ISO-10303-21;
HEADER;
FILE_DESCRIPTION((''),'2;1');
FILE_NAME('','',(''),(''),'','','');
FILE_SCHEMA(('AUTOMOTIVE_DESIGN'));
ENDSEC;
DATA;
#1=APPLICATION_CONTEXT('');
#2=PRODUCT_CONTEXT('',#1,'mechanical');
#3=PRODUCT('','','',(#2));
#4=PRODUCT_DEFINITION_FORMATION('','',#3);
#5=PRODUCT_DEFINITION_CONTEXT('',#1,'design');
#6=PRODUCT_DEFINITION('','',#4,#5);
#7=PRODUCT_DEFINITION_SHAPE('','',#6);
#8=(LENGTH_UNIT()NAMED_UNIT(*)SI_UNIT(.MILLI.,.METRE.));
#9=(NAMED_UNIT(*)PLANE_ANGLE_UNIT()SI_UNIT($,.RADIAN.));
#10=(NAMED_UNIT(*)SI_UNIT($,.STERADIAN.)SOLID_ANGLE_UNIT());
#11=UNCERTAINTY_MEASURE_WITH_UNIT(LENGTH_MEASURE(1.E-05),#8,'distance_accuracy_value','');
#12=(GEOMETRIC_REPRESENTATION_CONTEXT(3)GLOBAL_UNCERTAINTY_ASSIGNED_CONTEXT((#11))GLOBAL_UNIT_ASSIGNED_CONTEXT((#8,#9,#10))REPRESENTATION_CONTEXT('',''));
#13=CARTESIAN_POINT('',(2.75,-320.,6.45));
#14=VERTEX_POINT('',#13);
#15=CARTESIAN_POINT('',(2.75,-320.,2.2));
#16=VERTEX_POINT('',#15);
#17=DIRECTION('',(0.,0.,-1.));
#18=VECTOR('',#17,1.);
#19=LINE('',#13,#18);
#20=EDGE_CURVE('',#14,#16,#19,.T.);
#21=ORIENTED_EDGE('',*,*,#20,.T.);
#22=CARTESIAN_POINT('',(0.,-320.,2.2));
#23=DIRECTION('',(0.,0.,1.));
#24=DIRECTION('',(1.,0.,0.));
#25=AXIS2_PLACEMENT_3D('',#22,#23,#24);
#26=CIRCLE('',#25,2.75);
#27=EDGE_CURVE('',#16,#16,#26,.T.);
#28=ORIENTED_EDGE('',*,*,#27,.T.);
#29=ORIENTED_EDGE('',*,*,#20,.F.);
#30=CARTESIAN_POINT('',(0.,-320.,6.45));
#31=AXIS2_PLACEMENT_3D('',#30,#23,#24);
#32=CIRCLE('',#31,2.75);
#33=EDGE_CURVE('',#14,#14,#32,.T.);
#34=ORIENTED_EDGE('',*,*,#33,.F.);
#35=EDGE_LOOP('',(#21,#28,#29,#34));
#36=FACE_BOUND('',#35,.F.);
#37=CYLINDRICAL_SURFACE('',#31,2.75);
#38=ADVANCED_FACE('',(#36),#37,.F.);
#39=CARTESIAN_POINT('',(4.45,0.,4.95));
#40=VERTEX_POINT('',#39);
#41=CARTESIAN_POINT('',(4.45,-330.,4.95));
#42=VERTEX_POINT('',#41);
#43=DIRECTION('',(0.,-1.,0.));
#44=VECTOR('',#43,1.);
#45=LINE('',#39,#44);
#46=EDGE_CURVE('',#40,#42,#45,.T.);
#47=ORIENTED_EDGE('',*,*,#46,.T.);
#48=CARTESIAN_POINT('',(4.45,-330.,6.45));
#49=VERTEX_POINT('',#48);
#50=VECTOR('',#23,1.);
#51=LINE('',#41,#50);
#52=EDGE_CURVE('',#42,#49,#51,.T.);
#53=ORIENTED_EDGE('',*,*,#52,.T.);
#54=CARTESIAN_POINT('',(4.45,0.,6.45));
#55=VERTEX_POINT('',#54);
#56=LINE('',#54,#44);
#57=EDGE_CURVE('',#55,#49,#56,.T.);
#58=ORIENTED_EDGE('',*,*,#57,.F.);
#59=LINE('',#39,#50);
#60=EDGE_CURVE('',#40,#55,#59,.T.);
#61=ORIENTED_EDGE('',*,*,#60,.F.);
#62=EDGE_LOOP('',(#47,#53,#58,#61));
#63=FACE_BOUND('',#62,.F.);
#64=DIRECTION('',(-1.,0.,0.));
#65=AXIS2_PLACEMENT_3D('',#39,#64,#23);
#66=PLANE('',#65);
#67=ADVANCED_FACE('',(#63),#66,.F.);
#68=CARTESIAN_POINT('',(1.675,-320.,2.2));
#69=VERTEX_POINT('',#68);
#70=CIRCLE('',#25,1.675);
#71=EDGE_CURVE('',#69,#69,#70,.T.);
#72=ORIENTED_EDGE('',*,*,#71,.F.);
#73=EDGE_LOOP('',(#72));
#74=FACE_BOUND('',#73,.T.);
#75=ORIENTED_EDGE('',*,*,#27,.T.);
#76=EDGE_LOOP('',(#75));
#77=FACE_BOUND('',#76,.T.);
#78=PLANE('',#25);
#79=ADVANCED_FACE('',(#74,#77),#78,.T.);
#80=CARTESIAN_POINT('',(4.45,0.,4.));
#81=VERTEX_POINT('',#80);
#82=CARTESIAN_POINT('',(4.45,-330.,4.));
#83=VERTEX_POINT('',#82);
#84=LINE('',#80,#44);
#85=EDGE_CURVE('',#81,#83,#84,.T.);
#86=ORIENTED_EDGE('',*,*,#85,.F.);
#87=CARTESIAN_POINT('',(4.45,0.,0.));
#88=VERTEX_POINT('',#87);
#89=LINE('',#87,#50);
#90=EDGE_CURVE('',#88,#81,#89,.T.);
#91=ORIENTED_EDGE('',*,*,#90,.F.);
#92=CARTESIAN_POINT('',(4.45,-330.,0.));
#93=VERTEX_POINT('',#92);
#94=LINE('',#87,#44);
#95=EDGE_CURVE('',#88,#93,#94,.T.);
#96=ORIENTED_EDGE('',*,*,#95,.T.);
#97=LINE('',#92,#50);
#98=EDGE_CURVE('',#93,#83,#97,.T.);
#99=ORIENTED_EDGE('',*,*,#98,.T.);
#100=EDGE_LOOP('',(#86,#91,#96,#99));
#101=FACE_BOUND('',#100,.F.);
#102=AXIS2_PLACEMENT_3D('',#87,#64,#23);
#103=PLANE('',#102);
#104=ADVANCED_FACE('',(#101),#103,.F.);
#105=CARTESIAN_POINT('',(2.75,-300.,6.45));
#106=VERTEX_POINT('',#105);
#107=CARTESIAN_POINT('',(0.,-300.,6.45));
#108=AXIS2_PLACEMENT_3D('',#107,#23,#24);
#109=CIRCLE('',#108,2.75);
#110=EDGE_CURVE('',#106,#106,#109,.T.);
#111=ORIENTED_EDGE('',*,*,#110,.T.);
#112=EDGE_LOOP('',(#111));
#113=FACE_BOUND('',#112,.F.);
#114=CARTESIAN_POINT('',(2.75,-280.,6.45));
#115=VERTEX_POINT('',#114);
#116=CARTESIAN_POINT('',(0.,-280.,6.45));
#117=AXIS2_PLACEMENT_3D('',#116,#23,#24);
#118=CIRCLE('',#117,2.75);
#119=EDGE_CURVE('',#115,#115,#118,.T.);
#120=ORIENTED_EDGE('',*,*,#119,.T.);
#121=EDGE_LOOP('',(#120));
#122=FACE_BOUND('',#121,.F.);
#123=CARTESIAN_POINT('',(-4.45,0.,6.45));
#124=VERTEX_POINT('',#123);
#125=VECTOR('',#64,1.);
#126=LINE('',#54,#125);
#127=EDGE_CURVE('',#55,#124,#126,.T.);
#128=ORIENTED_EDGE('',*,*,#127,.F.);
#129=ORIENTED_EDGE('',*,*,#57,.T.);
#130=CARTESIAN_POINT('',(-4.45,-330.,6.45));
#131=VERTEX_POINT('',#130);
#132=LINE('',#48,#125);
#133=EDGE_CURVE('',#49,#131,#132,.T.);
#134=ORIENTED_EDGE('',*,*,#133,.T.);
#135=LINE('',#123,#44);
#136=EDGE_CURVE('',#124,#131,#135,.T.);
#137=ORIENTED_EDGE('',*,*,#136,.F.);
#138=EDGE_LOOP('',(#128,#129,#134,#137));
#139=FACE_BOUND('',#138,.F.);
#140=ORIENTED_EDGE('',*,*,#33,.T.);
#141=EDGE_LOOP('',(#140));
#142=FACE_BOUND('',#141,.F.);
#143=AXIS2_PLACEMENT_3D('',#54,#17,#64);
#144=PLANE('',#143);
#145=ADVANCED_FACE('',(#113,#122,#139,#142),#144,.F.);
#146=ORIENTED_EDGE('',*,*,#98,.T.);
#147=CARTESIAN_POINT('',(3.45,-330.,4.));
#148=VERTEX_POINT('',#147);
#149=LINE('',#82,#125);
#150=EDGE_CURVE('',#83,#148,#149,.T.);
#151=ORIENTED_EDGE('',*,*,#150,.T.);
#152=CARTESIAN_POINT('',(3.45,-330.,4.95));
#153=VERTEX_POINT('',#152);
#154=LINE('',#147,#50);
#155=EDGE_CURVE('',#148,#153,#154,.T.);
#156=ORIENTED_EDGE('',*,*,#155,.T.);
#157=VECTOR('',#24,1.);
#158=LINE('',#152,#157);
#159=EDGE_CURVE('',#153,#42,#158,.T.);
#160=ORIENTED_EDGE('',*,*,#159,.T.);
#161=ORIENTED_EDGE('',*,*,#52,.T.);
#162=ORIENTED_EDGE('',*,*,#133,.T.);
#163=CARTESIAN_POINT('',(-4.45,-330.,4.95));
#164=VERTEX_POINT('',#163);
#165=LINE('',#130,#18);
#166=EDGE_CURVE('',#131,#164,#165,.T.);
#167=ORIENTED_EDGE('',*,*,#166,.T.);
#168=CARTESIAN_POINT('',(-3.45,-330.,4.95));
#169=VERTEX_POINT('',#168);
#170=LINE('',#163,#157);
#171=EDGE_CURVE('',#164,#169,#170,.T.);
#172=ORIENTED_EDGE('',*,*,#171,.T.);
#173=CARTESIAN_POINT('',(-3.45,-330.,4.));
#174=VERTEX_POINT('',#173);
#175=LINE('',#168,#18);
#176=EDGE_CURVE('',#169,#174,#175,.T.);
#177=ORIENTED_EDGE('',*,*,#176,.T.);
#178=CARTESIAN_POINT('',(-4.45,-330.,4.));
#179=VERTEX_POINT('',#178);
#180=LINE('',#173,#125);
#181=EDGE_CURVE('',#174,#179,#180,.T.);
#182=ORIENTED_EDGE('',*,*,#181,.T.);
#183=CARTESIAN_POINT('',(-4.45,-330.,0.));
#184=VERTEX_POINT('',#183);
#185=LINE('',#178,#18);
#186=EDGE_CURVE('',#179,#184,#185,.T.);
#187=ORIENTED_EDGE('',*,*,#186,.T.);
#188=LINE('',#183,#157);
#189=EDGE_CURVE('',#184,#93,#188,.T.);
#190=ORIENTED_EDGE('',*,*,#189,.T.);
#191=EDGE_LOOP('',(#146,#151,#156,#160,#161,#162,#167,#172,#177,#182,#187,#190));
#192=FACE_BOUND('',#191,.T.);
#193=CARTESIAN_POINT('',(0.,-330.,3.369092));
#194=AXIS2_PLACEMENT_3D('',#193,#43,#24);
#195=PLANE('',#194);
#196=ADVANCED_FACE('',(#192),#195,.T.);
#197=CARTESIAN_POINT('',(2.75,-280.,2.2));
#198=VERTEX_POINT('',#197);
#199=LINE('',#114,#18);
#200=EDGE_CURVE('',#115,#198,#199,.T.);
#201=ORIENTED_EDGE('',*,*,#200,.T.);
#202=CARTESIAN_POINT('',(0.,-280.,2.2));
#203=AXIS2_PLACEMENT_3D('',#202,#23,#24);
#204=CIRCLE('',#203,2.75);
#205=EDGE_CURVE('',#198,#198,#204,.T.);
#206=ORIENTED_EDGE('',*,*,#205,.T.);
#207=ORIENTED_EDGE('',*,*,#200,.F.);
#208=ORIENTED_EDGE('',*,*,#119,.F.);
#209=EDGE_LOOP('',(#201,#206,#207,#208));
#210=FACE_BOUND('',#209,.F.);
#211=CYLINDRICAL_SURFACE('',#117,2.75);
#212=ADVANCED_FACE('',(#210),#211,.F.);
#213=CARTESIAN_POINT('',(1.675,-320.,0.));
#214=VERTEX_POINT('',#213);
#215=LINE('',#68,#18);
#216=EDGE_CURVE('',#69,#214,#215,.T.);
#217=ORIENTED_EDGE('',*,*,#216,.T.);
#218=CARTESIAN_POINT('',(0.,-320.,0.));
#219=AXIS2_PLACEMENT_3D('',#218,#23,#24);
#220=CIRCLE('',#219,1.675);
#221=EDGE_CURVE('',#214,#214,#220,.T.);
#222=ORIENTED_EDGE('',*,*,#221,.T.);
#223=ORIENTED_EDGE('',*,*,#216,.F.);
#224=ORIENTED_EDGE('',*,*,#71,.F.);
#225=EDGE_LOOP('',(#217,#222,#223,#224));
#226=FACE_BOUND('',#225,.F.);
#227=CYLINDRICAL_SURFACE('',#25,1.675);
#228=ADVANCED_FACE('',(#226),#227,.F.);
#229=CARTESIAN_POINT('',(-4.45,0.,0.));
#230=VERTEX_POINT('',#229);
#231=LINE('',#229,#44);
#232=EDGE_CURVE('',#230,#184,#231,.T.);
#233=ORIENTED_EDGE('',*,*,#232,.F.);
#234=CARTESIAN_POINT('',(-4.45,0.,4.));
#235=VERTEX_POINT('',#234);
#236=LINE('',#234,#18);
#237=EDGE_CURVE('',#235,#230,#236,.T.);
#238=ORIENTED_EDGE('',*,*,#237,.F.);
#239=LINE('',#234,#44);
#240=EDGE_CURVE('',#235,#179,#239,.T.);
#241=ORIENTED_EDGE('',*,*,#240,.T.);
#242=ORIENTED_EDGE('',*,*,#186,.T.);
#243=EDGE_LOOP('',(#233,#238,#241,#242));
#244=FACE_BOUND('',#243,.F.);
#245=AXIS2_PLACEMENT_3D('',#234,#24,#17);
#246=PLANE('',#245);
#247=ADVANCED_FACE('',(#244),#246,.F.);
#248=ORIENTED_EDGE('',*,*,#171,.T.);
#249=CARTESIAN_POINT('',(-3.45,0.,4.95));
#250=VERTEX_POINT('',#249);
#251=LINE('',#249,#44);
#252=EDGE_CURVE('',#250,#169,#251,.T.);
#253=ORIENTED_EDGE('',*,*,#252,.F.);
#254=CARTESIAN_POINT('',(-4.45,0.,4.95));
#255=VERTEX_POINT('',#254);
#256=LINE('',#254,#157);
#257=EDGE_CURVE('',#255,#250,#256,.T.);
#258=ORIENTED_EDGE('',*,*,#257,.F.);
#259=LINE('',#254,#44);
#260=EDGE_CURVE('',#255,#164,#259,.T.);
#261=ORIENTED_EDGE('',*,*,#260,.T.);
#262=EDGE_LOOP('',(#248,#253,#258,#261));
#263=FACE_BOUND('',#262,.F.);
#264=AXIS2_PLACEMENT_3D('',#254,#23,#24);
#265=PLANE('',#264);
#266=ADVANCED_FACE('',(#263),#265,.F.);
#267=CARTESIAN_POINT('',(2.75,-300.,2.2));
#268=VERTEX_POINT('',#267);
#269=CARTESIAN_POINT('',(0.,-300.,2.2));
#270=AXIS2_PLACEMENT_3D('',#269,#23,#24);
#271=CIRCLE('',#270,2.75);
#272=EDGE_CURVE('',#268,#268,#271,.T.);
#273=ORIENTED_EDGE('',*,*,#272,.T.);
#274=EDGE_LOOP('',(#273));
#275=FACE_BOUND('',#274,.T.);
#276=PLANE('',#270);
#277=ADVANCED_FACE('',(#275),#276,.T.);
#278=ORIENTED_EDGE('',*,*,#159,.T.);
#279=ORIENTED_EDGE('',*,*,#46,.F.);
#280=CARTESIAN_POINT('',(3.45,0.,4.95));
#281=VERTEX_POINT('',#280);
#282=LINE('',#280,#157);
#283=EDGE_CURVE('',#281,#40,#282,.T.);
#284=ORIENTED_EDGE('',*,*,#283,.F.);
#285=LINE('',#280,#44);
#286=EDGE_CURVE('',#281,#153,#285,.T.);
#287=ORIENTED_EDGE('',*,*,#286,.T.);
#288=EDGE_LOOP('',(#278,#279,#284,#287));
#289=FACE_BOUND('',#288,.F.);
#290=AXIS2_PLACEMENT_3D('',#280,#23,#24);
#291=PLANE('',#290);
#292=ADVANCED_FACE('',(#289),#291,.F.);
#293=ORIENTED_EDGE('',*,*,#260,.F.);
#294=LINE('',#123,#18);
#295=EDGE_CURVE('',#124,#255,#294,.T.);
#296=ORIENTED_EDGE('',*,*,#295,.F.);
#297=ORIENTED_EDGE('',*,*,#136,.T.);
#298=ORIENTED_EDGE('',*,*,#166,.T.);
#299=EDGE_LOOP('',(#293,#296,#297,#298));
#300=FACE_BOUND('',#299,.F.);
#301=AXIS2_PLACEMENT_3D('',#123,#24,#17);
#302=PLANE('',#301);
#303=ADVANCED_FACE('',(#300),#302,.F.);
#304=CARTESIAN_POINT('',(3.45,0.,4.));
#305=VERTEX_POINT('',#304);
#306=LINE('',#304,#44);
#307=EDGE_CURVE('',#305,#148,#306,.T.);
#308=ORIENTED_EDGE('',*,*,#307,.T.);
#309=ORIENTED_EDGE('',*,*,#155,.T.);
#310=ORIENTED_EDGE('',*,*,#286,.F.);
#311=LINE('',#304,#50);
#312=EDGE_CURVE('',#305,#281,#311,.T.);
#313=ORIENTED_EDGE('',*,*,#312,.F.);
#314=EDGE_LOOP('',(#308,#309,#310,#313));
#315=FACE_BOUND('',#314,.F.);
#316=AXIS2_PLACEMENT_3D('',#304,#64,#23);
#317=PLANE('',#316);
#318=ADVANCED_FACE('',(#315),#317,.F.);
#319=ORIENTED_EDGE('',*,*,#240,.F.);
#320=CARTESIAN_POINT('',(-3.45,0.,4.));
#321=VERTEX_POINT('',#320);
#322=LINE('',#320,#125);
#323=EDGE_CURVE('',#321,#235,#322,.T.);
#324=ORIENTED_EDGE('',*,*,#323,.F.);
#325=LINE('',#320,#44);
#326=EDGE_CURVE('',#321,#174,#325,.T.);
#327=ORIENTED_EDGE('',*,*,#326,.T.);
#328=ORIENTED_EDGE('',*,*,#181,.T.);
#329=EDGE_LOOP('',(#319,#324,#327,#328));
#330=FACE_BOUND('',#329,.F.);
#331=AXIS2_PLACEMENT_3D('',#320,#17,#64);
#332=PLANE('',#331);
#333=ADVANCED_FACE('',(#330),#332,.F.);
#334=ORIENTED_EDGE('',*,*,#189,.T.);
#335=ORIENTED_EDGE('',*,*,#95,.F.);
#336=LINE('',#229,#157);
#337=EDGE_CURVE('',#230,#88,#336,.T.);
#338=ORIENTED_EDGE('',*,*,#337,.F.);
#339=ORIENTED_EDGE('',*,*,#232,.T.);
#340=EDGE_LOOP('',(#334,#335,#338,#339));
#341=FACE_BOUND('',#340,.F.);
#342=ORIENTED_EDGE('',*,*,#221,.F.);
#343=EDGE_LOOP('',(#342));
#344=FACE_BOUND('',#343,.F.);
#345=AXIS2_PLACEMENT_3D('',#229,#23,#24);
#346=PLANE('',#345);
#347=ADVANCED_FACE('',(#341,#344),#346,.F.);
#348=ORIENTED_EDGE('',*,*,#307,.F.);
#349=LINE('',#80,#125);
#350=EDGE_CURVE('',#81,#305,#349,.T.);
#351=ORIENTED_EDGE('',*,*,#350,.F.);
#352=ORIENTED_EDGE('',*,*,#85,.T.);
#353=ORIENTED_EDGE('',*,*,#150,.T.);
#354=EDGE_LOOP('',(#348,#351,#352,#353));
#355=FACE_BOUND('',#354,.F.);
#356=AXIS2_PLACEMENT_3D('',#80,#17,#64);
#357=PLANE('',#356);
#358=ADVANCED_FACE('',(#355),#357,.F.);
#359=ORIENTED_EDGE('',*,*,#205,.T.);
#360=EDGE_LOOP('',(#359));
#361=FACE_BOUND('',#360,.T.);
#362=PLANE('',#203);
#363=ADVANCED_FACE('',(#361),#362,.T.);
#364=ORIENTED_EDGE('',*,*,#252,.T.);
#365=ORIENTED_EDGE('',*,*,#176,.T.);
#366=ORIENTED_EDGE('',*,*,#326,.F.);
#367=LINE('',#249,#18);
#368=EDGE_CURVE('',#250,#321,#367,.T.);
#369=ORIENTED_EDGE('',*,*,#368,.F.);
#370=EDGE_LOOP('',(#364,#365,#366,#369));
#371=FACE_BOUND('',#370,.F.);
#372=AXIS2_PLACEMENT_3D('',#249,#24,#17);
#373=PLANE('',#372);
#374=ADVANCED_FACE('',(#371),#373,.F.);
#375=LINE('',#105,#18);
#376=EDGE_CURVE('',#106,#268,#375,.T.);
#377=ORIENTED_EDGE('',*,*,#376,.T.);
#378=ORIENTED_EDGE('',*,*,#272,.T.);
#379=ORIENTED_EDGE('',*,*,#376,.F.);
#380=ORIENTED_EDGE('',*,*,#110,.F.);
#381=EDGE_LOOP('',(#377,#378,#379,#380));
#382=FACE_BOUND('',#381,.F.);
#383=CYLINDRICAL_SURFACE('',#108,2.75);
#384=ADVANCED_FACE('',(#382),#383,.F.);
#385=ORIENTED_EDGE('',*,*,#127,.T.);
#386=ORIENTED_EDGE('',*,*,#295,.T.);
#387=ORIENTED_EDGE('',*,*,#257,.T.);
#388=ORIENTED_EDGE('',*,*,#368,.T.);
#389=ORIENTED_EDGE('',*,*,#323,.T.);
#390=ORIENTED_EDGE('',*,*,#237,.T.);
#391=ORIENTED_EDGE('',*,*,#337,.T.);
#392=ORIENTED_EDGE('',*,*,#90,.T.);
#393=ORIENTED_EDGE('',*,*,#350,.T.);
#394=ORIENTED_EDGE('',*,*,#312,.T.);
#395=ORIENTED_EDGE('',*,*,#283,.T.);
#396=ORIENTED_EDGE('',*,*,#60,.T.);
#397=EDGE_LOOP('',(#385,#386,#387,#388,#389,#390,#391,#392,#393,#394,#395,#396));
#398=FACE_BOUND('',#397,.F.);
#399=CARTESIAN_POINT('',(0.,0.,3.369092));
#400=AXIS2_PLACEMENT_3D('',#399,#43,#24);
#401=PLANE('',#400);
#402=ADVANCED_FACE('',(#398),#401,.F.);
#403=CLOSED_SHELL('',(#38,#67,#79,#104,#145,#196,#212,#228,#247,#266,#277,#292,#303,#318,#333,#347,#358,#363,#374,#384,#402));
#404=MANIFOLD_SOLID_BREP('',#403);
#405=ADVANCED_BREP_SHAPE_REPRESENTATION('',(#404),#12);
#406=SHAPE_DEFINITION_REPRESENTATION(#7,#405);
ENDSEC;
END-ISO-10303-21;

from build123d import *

# Parameters (mm, degrees)
F1_DEPTH = 330
F2_R     = 2.75
F3_DEPTH = 4.25
F4_R     = 1.675
F5_DEPTH = 2.201


with BuildPart() as f1:
    # F0 (on Front) → F1 (new body)
    with BuildSketch(Plane.XZ):
        Polygon((-4.45, 4), (-4.45, 0), (4.45, 0), (4.45, 4), (3.45, 4), (3.45, 4.95), (4.45, 4.95), (4.45, 6.45), (-4.45, 6.45), (-4.45, 4.95), (-3.45, 4.95), (-3.45, 4), align=None)
    extrude(amount=F1_DEPTH)

    # F2 (on face) → F3 (cut)
    with BuildSketch(Plane.XY.offset(6.45)):
        with Locations((0, -320)):
            Circle(F2_R)
        with Locations((0, -300)):
            Circle(F2_R)
        with Locations((0, -280)):
            Circle(F2_R)
    extrude(amount=-F3_DEPTH, mode=Mode.SUBTRACT)

    # F4 (on face) → F5 (cut, through all)
    with BuildSketch(Plane.XY.offset(2.2)):
        with Locations((0, -320)):
            Circle(F4_R)
    extrude(amount=-F5_DEPTH, mode=Mode.SUBTRACT)


solid = f1.part
